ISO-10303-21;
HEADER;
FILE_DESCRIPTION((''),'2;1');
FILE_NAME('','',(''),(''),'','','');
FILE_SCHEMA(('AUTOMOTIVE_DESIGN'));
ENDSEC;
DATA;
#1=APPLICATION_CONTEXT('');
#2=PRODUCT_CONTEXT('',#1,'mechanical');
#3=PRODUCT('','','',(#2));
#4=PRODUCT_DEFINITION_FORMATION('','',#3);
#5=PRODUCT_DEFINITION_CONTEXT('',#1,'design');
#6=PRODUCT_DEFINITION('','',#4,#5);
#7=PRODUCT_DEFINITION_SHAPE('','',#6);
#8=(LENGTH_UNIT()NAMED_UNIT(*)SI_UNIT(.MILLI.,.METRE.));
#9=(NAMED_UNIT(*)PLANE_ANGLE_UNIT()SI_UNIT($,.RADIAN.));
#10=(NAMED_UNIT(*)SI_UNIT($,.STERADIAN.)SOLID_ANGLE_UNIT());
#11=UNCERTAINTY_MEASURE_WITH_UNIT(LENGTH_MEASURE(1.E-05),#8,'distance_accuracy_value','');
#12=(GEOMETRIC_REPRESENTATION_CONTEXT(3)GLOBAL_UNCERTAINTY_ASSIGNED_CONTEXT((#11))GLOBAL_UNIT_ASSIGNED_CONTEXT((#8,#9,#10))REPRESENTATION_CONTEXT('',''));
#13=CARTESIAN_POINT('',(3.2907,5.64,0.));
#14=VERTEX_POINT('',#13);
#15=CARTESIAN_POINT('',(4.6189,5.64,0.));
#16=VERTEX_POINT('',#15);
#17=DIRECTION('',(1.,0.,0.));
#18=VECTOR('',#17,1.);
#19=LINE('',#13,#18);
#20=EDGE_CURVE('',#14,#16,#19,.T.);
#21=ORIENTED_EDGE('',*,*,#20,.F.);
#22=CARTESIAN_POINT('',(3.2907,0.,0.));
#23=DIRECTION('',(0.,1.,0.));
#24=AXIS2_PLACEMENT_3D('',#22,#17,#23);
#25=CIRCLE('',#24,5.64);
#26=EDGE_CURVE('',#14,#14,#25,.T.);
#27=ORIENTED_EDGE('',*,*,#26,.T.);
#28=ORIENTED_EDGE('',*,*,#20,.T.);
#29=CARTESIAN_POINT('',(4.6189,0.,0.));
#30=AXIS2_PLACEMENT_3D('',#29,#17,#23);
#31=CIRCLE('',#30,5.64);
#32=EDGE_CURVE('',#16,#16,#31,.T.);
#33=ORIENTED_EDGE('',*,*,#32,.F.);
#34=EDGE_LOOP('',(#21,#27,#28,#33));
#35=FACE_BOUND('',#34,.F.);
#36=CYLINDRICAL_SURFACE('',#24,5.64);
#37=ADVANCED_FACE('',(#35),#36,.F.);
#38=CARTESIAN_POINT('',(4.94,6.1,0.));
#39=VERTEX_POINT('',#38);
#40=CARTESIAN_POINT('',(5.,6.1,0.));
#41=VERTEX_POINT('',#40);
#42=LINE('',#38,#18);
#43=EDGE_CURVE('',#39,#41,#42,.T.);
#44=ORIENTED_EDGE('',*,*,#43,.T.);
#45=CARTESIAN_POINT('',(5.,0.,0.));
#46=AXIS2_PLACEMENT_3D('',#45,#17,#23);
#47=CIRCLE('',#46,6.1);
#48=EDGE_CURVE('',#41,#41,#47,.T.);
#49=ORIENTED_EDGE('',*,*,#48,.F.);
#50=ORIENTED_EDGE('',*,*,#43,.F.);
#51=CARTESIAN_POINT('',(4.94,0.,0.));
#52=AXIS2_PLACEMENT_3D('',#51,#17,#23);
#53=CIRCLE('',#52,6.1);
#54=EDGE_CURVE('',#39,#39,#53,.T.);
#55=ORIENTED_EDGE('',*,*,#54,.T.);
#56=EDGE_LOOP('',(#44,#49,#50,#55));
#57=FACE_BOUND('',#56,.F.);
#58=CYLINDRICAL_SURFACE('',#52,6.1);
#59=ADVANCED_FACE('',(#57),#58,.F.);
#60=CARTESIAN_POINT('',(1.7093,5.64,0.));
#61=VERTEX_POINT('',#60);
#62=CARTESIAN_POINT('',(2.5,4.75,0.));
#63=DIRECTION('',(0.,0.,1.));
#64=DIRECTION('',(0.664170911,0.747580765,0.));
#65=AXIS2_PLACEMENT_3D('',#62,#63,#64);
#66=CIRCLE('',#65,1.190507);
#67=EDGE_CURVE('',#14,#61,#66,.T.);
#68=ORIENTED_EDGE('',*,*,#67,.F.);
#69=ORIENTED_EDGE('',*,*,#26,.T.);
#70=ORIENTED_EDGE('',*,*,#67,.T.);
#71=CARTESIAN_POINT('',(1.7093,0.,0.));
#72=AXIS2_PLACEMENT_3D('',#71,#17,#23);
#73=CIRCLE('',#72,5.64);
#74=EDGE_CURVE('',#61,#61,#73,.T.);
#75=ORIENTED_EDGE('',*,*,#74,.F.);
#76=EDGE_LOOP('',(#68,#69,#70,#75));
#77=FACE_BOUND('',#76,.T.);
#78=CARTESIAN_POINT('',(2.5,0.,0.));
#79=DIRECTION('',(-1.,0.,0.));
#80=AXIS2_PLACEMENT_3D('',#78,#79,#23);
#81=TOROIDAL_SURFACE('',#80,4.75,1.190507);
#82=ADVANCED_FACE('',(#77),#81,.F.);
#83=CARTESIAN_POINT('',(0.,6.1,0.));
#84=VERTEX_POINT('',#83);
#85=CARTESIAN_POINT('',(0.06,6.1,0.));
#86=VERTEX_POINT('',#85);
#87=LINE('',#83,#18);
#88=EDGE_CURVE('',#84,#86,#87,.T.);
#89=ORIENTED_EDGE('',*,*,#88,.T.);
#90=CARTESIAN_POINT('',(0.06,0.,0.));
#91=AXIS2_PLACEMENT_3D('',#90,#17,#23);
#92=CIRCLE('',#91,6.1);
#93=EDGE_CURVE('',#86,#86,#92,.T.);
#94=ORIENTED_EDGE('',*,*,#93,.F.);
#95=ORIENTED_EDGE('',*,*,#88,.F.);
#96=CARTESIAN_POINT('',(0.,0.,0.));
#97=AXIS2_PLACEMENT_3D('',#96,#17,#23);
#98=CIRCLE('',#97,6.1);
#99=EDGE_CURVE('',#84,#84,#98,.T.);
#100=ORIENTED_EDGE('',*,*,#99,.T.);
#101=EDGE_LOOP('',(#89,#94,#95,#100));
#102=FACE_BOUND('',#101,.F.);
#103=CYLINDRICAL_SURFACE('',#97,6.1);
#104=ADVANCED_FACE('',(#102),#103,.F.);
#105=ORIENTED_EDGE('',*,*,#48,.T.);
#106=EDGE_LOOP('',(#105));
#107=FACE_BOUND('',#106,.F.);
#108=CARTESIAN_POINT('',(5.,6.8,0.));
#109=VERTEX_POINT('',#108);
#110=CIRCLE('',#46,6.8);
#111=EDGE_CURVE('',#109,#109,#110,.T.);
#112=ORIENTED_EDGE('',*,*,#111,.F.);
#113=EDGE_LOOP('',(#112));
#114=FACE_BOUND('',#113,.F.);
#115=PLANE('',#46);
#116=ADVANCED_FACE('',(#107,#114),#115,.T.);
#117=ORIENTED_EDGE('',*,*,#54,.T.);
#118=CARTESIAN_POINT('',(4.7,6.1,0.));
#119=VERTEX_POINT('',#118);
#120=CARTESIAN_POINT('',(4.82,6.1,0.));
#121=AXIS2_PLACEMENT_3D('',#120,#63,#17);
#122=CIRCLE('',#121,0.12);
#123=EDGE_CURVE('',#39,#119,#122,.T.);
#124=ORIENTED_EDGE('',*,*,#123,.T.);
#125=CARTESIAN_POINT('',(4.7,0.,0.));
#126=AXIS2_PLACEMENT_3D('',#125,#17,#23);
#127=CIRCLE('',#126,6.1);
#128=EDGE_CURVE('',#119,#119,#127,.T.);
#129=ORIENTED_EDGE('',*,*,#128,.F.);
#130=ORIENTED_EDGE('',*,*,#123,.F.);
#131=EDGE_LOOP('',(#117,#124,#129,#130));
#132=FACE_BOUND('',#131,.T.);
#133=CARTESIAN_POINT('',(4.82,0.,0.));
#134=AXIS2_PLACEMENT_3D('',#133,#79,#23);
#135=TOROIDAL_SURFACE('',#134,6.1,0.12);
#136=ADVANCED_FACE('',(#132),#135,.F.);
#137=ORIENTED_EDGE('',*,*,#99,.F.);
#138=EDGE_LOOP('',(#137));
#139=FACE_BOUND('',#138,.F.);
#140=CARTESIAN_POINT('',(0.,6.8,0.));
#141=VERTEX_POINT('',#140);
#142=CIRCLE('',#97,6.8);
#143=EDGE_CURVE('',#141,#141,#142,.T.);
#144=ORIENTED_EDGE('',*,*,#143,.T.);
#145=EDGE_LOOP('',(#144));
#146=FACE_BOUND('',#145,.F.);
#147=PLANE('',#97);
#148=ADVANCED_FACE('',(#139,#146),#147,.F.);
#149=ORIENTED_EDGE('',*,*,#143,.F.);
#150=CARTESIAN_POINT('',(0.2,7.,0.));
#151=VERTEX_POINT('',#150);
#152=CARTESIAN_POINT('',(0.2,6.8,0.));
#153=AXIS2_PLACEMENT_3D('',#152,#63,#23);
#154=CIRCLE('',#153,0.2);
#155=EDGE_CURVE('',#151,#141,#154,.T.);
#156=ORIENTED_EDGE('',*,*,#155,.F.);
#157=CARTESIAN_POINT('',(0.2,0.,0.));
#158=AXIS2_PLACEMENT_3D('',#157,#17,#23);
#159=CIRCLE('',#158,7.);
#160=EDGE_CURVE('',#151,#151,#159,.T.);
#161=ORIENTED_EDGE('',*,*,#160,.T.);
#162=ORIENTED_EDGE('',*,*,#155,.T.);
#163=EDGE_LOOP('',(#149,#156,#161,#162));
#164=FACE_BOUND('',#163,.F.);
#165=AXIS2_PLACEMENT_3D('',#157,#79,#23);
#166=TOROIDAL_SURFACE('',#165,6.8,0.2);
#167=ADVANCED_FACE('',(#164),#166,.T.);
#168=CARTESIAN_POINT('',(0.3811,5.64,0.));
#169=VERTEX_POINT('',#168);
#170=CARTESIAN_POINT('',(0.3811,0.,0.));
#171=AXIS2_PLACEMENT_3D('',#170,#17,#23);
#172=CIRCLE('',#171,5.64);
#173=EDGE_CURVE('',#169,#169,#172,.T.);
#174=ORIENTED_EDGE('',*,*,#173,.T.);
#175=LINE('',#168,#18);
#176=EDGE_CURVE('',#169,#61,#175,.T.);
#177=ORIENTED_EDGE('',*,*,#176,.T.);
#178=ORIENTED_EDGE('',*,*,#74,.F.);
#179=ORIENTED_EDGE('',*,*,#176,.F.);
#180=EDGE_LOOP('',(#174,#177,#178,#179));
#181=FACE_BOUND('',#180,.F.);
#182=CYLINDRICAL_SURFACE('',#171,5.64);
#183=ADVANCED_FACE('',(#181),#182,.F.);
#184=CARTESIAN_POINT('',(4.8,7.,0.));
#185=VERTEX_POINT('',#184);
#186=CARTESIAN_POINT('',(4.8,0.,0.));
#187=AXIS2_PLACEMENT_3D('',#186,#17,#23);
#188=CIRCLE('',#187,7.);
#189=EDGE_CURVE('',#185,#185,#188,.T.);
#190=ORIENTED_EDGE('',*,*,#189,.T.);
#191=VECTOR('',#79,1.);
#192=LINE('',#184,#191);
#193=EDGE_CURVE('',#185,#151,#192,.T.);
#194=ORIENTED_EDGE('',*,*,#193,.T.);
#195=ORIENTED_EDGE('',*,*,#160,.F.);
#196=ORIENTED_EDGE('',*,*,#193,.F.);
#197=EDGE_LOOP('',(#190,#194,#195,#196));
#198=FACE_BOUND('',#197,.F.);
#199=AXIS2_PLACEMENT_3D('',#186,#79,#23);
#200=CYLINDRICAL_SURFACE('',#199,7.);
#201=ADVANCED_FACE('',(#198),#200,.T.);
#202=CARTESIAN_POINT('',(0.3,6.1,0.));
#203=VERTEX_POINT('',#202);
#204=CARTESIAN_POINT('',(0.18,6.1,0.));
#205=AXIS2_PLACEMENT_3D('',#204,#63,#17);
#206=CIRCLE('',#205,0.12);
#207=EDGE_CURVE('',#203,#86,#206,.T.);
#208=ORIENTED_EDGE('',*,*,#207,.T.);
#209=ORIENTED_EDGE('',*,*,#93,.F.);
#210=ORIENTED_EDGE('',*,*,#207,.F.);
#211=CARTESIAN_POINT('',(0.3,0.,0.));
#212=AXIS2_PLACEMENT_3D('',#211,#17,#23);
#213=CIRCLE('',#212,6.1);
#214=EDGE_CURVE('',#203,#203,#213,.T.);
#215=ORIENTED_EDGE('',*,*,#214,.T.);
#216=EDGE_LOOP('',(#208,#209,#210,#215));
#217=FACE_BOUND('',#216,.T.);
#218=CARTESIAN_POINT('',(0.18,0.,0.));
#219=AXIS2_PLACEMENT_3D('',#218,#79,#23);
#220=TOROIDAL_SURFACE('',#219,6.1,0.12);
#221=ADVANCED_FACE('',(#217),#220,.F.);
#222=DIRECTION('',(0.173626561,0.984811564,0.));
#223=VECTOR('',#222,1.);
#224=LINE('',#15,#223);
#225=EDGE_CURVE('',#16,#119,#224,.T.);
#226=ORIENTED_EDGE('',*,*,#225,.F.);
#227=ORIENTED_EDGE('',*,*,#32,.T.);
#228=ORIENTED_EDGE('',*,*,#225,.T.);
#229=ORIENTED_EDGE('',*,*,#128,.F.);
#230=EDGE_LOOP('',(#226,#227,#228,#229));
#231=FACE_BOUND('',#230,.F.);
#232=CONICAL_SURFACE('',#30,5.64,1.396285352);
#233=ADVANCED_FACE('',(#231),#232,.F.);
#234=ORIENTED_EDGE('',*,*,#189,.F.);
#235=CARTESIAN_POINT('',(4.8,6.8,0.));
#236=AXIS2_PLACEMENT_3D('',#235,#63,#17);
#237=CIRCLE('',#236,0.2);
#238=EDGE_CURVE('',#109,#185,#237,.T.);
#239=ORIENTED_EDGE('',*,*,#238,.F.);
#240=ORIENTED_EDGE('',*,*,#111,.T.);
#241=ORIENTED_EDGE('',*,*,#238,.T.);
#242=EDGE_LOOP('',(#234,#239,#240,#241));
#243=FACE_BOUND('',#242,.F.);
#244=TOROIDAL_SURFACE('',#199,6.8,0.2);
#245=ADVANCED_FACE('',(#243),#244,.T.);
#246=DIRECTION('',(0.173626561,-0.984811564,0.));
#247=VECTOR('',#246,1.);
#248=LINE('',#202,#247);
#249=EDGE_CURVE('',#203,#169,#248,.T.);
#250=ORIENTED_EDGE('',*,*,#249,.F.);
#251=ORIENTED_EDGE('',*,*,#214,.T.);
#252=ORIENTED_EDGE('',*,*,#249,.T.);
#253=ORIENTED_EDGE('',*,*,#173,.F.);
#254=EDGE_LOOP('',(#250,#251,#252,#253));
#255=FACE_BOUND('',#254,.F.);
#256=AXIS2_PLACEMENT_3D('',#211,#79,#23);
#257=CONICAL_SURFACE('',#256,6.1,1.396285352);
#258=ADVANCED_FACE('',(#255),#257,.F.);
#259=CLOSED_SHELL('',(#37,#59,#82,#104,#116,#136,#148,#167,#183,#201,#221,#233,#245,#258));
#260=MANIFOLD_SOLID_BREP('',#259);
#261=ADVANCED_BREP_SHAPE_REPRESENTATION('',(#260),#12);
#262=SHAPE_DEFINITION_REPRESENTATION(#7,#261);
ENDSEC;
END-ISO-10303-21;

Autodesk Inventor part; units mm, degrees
ref_plane "YZ Plane" through (0, 0, 0) normal (1, 0, 0) x (0, 1, 0)
ref_plane "XZ Plane" through (0, 0, 0) normal (0, 1, 0) x (-1, 0, 0)
ref_plane "XY Plane" through (0, 0, 0) normal (0, 0, 1) x (1, 0, 0)
sketch "Sketch_17" plane through (0, 0, 0) normal (0, 0, 1) x (1, 0, 0)
  line L0 (50, 0) -> (-50, 0)
  line L1 (0, 6.8) -> (0, 6.1)
  line L2 (0, 6.1) -> (0.06, 6.1)
  arc A0 (0.3, 6.1) -> (0.06, 6.1) centre (0.18, 6.1) ccw
  line L3 (0.3, 6.1) -> (0.3811, 5.64)
  line L4 (0.3811, 5.64) -> (1.7093, 5.64)
  arc A1 (3.2907, 5.64) -> (1.7093, 5.64) centre (2.5, 4.75) ccw
  line L5 (3.2907, 5.64) -> (4.6189, 5.64)
  line L6 (4.6189, 5.64) -> (4.7, 6.1)
  arc A2 (4.94, 6.1) -> (4.7, 6.1) centre (4.82, 6.1) ccw
  line L7 (4.94, 6.1) -> (5, 6.1)
  line L8 (5, 6.1) -> (5, 6.8)
  arc A3 (5, 6.8) -> (4.8, 7) centre (4.8, 6.8) ccw
  line L9 (4.8, 7) -> (0.2, 7)
  arc A4 (0.2, 7) -> (0, 6.8) centre (0.2, 6.8) ccw
revolve "Revolution1" add sketch "Sketch_17" angle 360 about axis through (50, 0, 0) along (1, 0, 0)
properties part number "W 605-2Z_PART2"
